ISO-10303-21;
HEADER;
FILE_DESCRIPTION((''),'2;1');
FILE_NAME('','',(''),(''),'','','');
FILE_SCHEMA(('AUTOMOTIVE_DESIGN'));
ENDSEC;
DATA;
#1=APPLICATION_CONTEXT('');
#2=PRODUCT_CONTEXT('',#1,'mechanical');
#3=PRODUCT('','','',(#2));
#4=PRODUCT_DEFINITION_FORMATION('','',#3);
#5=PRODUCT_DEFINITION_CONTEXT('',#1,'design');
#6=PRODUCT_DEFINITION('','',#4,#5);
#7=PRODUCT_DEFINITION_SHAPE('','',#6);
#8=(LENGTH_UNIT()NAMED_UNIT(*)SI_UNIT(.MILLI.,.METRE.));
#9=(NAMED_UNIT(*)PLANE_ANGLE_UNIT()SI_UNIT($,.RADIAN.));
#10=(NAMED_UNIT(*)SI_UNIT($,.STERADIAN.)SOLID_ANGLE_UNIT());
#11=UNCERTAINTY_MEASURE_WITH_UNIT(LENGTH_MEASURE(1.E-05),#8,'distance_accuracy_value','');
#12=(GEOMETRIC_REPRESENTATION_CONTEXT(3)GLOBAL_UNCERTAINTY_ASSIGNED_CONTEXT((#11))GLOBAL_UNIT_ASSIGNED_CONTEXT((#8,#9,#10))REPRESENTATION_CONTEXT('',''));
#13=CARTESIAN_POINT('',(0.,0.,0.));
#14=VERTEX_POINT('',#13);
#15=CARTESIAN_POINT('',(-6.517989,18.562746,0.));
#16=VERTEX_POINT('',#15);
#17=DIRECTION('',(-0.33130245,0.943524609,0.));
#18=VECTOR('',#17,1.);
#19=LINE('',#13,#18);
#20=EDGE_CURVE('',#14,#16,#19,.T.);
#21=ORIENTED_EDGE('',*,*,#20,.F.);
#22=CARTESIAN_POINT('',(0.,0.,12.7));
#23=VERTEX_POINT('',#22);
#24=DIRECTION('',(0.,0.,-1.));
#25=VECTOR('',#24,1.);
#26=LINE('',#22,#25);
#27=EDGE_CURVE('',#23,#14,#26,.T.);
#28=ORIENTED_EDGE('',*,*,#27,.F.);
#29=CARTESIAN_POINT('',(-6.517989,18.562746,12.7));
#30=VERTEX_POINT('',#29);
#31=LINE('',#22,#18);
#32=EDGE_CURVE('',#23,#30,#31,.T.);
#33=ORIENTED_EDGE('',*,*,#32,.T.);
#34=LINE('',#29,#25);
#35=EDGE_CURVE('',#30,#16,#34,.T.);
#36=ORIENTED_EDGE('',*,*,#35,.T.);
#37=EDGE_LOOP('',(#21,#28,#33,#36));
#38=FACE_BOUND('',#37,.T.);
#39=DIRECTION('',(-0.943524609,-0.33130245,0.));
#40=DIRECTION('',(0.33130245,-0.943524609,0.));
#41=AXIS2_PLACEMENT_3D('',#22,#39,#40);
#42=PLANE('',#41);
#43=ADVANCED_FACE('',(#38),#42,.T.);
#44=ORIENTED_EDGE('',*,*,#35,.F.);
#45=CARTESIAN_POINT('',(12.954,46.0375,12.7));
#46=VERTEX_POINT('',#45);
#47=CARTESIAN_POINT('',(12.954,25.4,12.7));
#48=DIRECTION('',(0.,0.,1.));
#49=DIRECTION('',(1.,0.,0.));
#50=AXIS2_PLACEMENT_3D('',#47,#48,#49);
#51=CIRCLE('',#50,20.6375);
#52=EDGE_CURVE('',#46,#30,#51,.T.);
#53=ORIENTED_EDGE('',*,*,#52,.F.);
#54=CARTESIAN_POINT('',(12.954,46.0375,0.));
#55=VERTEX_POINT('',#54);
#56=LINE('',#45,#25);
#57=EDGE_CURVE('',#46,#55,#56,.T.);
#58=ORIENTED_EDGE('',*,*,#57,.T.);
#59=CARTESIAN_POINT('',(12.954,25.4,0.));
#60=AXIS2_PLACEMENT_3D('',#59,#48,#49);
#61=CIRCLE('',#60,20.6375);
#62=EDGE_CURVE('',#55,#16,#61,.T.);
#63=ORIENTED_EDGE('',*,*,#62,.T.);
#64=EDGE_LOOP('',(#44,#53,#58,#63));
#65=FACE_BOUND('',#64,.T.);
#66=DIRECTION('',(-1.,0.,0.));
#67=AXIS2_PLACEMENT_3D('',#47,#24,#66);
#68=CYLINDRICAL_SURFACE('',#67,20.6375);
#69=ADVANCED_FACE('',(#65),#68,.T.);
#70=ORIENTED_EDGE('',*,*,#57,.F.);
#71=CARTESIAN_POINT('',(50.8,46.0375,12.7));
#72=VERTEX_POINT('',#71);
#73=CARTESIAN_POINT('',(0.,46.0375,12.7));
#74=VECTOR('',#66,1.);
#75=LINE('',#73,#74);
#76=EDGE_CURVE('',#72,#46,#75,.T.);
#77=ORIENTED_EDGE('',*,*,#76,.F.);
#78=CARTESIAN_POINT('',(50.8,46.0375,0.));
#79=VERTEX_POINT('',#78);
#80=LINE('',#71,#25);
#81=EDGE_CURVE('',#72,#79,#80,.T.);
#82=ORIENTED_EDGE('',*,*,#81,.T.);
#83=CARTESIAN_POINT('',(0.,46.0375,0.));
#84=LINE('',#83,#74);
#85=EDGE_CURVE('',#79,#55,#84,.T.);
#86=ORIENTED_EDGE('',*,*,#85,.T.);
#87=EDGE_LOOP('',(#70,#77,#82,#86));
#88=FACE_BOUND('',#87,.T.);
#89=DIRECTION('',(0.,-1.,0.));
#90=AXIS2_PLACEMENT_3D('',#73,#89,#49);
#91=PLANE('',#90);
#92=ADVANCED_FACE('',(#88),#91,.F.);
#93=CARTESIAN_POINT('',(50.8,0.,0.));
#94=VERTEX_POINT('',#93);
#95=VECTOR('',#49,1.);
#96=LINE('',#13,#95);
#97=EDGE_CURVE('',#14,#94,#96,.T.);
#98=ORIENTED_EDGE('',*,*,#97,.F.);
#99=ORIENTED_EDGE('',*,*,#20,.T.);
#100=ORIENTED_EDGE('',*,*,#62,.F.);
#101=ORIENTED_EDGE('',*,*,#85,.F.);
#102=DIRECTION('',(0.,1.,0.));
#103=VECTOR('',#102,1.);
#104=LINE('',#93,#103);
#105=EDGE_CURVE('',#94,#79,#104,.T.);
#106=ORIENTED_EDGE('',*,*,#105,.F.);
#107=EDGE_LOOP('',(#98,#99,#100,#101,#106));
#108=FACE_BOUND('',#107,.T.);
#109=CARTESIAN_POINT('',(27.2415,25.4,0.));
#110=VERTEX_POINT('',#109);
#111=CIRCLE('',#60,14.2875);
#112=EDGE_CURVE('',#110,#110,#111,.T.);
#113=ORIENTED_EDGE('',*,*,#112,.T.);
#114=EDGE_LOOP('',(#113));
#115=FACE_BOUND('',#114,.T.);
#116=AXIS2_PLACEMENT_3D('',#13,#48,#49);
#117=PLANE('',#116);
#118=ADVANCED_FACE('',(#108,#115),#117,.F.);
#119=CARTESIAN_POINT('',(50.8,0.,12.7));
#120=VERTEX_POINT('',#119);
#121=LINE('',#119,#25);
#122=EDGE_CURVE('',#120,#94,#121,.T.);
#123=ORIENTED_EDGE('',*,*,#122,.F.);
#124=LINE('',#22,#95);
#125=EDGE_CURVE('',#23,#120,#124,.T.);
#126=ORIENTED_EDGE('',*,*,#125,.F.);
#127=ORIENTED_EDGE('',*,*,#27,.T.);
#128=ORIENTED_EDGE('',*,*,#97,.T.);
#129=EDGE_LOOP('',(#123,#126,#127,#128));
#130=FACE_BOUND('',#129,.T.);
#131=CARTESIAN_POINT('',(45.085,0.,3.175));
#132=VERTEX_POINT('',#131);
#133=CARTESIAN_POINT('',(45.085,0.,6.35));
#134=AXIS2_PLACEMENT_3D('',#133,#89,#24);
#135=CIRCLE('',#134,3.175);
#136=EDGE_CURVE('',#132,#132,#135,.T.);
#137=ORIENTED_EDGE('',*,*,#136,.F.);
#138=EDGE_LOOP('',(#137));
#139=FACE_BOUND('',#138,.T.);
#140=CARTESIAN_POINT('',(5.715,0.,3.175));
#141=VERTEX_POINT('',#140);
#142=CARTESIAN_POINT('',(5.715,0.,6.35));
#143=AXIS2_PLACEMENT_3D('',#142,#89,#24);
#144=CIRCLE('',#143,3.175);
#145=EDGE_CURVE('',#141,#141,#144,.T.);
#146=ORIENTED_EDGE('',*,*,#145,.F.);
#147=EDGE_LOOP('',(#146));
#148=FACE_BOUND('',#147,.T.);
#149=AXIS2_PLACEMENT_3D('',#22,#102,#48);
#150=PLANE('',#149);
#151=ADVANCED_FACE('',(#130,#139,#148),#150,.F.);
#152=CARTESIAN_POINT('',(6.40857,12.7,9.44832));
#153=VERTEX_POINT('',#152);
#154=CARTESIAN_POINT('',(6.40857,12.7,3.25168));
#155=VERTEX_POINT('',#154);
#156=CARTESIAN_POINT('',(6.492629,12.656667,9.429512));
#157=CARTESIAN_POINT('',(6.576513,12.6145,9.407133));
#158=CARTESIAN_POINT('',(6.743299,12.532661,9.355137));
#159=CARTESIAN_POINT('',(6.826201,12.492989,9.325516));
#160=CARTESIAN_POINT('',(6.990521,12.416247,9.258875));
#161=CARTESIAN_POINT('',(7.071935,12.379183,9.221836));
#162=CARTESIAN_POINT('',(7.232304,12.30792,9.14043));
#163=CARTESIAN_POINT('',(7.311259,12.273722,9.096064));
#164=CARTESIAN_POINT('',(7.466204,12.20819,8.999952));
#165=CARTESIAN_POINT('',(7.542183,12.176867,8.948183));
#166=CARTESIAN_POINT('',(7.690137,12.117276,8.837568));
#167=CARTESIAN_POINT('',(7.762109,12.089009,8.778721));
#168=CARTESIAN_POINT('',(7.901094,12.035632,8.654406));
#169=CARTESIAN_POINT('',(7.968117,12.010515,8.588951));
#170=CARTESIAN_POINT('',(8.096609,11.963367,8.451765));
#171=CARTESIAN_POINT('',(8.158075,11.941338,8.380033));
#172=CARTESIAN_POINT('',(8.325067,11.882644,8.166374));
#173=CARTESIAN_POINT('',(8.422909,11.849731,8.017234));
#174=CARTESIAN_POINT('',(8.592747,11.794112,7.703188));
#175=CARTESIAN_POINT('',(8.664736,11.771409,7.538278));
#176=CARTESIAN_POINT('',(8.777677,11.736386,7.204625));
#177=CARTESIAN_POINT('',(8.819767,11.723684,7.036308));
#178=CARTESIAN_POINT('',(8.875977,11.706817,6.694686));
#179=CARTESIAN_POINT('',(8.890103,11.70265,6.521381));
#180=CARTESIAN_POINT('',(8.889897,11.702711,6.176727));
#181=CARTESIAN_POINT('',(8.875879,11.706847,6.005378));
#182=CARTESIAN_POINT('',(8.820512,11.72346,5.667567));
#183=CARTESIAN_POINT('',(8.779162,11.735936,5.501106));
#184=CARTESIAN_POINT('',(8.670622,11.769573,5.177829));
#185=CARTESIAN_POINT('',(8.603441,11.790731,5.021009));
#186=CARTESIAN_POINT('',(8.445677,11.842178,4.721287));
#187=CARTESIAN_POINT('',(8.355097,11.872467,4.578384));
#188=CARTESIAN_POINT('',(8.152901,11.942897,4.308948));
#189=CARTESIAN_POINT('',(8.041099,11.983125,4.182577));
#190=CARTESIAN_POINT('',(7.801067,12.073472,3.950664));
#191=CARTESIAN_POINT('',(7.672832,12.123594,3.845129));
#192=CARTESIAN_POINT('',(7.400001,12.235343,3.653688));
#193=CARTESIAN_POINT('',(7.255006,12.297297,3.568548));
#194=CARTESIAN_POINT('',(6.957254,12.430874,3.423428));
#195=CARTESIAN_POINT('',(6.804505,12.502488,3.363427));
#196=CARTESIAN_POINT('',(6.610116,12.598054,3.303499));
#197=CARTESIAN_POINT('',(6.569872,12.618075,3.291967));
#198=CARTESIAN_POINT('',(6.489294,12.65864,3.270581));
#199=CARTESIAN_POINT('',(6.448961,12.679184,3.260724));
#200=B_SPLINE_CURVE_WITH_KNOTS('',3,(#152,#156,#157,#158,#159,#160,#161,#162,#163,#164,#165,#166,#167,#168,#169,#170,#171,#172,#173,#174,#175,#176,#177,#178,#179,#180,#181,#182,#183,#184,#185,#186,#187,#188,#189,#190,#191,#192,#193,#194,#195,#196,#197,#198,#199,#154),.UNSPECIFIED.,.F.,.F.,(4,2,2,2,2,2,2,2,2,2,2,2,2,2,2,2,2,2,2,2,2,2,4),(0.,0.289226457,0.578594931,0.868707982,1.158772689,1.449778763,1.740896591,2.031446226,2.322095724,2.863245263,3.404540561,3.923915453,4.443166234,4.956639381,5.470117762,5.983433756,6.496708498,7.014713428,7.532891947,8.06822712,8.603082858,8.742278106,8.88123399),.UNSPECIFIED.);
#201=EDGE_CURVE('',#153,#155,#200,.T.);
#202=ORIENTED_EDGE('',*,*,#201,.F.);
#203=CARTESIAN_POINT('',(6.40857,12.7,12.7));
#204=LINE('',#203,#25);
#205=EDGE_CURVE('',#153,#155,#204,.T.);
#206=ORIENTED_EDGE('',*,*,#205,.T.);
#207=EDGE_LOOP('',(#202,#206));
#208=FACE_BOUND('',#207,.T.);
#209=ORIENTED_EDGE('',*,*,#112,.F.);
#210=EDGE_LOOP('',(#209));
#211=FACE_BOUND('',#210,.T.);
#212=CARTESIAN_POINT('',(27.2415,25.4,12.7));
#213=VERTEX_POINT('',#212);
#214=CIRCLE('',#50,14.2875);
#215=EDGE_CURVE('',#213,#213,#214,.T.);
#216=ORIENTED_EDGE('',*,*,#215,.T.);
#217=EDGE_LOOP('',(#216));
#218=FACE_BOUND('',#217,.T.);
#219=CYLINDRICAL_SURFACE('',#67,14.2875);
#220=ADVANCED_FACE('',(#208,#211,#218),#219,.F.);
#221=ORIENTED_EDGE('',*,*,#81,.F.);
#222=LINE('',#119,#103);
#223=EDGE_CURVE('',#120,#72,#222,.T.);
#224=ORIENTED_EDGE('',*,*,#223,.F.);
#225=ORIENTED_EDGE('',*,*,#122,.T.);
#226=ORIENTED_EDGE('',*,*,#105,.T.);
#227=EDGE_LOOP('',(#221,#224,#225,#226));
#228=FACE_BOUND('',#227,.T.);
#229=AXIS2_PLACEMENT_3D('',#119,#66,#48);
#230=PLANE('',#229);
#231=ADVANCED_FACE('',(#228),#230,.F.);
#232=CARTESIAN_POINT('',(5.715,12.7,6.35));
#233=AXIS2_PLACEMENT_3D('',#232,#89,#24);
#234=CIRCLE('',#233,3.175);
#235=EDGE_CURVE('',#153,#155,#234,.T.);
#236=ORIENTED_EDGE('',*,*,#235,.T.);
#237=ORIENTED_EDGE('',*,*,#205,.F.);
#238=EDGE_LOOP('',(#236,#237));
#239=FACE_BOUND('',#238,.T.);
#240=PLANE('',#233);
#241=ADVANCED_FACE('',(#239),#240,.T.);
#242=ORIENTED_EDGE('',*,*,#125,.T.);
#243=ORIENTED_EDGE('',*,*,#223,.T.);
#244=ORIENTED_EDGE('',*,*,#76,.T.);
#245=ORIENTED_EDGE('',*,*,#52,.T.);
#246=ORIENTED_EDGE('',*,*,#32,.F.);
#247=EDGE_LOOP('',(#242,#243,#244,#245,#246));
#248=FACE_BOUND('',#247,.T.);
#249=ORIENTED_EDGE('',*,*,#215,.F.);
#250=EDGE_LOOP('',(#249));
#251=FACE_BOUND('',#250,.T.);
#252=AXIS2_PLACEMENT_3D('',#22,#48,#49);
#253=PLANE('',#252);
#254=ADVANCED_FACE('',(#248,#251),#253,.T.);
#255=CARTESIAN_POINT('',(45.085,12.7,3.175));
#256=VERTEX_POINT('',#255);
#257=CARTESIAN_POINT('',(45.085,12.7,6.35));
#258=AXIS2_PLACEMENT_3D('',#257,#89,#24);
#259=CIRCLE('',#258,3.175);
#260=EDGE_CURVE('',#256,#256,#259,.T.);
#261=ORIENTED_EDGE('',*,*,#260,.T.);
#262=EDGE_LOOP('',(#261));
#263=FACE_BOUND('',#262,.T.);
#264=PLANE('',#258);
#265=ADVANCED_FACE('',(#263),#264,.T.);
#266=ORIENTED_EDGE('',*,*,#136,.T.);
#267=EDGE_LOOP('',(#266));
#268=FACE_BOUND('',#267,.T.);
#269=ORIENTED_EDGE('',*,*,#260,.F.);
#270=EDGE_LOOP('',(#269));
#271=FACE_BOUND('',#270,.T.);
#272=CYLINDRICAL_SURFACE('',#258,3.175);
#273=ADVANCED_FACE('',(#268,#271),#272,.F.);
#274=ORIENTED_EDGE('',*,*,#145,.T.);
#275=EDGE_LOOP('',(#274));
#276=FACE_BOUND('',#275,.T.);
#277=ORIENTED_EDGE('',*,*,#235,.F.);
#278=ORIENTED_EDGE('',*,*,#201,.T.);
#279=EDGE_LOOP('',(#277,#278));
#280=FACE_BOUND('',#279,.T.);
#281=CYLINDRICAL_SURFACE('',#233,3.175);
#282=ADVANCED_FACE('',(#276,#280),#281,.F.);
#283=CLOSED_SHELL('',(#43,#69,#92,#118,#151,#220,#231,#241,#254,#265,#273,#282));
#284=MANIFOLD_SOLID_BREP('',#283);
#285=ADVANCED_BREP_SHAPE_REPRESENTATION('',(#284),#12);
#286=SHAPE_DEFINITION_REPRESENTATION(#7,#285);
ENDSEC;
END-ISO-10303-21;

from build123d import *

# Parameters (mm, degrees)
SKETCH1_R           = 20.6375
SKETCH1_R_2         = 14.2875
BOSS_EXTRUDE2_DEPTH = 12.7
SKETCH2_R           = 3.175
CUT_EXTRUDE1_DEPTH  = 12.7


with BuildPart() as part:
    # Sketch1 → Boss-Extrude2 (new body)
    with BuildSketch(Plane.XY):
        with BuildLine():
            Line((-6.517989108, 18.562745695), (0, 0))
            Line((0, 0), (50.8, 0))
            Line((50.8, 0), (50.8, 46.0375))
            Line((50.8, 46.0375), (12.954, 46.0375))
            ThreePointArc((12.954, 46.0375), (27.546916197, 39.992916197), (33.5915, 25.4))
            ThreePointArc((33.5915, 25.4), (16.421941106, 5.055964247), (-6.517989108, 18.562745695))
        make_face()
        with Locations((12.954, 25.4)):
            Circle(SKETCH1_R)
        with Locations((12.954, 25.4)):
            Circle(SKETCH1_R_2, mode=Mode.SUBTRACT)
    extrude(amount=BOSS_EXTRUDE2_DEPTH)

    # Sketch2 → Cut-Extrude1 (cut)
    with BuildSketch(Plane.XZ):
        with Locations((45.085, 6.35)):
            Circle(SKETCH2_R)
        with Locations((5.715, 6.35)):
            Circle(SKETCH2_R)
    extrude(amount=-CUT_EXTRUDE1_DEPTH, mode=Mode.SUBTRACT)


solid = part.part
